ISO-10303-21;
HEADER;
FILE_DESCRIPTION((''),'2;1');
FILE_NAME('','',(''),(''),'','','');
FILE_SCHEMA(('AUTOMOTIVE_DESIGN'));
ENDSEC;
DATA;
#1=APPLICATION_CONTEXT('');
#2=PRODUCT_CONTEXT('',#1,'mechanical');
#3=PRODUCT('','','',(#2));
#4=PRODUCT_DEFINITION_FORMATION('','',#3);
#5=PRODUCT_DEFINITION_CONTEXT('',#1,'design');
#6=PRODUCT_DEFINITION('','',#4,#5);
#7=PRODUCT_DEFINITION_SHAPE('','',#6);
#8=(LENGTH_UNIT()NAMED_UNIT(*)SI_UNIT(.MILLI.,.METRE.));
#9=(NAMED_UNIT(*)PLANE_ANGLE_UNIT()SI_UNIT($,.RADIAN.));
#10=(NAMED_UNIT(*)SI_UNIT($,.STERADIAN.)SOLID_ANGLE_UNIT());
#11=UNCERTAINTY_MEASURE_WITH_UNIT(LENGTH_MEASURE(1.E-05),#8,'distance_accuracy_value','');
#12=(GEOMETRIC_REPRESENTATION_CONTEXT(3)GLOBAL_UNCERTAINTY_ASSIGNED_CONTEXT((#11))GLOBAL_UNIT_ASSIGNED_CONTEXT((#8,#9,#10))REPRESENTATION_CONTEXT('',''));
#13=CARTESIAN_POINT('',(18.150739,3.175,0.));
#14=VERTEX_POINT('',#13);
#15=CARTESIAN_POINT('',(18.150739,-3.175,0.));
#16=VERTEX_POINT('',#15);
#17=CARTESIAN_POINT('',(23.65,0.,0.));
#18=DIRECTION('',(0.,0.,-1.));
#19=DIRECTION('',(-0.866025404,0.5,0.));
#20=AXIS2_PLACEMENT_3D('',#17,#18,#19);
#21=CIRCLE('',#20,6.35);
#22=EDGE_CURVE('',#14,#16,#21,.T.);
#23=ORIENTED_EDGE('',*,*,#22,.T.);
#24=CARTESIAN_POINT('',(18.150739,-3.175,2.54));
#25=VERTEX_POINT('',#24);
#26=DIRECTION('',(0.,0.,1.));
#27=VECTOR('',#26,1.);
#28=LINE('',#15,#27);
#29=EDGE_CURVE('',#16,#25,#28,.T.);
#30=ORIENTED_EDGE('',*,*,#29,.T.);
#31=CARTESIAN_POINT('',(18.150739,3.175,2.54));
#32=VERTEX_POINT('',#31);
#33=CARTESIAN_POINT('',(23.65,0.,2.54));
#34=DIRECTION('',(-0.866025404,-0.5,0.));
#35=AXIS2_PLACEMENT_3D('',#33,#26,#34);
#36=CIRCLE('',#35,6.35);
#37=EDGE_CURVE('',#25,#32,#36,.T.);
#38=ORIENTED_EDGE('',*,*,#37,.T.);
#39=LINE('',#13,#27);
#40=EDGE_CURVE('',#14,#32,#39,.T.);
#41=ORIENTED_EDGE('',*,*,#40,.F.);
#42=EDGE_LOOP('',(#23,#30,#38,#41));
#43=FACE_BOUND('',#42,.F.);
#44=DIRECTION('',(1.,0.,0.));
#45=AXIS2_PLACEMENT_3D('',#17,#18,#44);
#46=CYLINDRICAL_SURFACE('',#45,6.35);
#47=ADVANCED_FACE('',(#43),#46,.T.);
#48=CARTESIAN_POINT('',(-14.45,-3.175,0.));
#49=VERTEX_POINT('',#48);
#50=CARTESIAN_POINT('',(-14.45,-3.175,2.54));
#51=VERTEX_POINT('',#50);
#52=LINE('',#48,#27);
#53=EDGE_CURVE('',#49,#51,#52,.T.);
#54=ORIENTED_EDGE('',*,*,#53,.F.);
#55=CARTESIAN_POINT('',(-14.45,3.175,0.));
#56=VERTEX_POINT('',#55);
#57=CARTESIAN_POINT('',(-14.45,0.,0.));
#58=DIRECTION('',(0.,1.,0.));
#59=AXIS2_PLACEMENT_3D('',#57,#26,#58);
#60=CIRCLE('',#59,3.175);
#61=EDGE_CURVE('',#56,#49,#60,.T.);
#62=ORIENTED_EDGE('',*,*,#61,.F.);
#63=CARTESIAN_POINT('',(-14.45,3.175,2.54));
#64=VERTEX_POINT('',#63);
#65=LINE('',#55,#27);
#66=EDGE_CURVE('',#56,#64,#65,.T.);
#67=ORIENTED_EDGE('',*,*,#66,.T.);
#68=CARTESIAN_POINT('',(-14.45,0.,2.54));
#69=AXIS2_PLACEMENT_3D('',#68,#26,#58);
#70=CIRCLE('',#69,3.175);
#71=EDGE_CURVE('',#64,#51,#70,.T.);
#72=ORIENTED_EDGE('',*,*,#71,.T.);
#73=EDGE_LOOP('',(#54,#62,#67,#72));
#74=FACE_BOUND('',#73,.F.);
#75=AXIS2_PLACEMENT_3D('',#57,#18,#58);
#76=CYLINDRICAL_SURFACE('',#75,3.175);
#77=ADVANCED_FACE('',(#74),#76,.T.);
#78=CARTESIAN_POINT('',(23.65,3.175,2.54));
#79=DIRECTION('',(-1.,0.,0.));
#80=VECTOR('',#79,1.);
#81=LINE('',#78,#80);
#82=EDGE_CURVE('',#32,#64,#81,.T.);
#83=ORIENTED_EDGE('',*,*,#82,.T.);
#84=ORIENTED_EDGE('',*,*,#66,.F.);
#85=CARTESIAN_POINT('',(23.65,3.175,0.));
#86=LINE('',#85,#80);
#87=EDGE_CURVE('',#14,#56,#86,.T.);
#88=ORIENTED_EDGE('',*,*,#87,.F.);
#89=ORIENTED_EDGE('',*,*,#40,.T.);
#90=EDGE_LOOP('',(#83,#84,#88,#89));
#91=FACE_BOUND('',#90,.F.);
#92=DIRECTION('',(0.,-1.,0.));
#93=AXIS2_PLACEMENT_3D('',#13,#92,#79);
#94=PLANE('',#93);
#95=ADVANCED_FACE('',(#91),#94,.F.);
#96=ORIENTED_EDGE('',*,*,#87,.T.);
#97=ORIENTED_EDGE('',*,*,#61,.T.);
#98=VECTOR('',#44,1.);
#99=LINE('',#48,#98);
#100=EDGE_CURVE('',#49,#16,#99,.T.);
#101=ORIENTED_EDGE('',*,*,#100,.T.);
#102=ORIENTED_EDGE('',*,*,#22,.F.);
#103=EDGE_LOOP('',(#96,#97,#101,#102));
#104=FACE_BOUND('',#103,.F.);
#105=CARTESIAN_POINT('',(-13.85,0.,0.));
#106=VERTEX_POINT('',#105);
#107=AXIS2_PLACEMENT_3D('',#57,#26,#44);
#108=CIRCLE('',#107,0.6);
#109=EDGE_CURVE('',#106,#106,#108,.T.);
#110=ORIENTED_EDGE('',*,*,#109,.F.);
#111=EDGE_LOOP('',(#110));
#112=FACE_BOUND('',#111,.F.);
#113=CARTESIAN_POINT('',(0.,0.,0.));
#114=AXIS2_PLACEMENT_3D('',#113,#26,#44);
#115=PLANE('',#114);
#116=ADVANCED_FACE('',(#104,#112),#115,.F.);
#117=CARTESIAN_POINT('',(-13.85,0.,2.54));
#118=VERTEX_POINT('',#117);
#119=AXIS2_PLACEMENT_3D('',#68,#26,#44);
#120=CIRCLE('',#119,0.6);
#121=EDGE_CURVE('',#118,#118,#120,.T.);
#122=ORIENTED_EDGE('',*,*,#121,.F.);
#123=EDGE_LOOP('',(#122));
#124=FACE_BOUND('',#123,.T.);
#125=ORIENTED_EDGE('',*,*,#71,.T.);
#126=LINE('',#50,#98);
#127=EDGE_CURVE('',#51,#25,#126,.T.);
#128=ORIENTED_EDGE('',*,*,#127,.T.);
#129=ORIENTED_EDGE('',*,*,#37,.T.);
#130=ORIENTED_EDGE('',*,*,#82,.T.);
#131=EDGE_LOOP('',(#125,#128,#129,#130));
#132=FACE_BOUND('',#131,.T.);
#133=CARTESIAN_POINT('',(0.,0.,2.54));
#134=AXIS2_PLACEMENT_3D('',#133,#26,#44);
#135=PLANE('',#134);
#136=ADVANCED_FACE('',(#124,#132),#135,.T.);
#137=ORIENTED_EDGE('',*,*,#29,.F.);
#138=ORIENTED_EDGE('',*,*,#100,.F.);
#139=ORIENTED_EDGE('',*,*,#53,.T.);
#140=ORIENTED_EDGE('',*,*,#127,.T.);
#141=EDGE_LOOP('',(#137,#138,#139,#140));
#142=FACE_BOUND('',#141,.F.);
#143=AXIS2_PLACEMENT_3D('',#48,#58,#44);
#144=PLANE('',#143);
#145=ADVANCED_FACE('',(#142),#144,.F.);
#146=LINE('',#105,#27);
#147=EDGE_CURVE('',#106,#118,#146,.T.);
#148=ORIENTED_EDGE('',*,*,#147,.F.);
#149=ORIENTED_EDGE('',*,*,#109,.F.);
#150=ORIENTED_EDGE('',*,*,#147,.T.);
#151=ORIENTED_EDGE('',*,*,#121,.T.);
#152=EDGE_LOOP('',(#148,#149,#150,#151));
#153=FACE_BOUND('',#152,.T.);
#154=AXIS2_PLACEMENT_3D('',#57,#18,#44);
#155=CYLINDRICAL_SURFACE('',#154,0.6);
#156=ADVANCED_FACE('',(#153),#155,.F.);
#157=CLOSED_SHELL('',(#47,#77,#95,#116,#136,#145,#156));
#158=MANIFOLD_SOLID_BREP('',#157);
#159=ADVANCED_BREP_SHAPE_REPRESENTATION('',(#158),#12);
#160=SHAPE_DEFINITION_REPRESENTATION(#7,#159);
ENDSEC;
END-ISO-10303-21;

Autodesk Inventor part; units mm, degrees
ref_plane "YZ Plane" through (0, 0, 0) normal (1, 0, 0) x (0, 1, 0)
ref_plane "XZ Plane" through (0, 0, 0) normal (0, 1, 0) x (-1, 0, 0)
ref_plane "XY Plane" through (0, 0, 0) normal (0, 0, 1) x (1, 0, 0)
sketch "Sketch1" plane through (0, 0, 0) normal (0, 0, 1) x (1, 0, 0)
  circle A0 centre (-14.45, 0) radius 0.6 projected
  line L0 (-14.45, 0) -> (23.65, 0) construction
  line L1 (-14.45, -3.175) -> (23.65, -3.175)
  line L2 (23.65, 3.175) -> (-14.45, 3.175)
  arc A1 (-14.45, 3.175) -> (-14.45, -3.175) centre (-14.45, 0) ccw
  arc A2 (23.65, -3.175) -> (23.65, 3.175) centre (23.65, 0) ccw
  line L3 (-14.45, 0) -> (23.65, 0) construction
  circle A3 centre (23.65, 0) radius 6.35
  point P0 (0, 0)
  point P1 (4.6, 0)
  point P2 (18.1507, -3.175)
  point P3 (18.1507, 3.175)
  dimension "d0" = 38.1
  dimension "d1" = 0
  dimension "d2" = 6.35
  dimension "d3" = 12.7
extrude "Extrusion1" add sketch "Sketch1" along normal blind 2.54
properties part number "ShutterStop"
